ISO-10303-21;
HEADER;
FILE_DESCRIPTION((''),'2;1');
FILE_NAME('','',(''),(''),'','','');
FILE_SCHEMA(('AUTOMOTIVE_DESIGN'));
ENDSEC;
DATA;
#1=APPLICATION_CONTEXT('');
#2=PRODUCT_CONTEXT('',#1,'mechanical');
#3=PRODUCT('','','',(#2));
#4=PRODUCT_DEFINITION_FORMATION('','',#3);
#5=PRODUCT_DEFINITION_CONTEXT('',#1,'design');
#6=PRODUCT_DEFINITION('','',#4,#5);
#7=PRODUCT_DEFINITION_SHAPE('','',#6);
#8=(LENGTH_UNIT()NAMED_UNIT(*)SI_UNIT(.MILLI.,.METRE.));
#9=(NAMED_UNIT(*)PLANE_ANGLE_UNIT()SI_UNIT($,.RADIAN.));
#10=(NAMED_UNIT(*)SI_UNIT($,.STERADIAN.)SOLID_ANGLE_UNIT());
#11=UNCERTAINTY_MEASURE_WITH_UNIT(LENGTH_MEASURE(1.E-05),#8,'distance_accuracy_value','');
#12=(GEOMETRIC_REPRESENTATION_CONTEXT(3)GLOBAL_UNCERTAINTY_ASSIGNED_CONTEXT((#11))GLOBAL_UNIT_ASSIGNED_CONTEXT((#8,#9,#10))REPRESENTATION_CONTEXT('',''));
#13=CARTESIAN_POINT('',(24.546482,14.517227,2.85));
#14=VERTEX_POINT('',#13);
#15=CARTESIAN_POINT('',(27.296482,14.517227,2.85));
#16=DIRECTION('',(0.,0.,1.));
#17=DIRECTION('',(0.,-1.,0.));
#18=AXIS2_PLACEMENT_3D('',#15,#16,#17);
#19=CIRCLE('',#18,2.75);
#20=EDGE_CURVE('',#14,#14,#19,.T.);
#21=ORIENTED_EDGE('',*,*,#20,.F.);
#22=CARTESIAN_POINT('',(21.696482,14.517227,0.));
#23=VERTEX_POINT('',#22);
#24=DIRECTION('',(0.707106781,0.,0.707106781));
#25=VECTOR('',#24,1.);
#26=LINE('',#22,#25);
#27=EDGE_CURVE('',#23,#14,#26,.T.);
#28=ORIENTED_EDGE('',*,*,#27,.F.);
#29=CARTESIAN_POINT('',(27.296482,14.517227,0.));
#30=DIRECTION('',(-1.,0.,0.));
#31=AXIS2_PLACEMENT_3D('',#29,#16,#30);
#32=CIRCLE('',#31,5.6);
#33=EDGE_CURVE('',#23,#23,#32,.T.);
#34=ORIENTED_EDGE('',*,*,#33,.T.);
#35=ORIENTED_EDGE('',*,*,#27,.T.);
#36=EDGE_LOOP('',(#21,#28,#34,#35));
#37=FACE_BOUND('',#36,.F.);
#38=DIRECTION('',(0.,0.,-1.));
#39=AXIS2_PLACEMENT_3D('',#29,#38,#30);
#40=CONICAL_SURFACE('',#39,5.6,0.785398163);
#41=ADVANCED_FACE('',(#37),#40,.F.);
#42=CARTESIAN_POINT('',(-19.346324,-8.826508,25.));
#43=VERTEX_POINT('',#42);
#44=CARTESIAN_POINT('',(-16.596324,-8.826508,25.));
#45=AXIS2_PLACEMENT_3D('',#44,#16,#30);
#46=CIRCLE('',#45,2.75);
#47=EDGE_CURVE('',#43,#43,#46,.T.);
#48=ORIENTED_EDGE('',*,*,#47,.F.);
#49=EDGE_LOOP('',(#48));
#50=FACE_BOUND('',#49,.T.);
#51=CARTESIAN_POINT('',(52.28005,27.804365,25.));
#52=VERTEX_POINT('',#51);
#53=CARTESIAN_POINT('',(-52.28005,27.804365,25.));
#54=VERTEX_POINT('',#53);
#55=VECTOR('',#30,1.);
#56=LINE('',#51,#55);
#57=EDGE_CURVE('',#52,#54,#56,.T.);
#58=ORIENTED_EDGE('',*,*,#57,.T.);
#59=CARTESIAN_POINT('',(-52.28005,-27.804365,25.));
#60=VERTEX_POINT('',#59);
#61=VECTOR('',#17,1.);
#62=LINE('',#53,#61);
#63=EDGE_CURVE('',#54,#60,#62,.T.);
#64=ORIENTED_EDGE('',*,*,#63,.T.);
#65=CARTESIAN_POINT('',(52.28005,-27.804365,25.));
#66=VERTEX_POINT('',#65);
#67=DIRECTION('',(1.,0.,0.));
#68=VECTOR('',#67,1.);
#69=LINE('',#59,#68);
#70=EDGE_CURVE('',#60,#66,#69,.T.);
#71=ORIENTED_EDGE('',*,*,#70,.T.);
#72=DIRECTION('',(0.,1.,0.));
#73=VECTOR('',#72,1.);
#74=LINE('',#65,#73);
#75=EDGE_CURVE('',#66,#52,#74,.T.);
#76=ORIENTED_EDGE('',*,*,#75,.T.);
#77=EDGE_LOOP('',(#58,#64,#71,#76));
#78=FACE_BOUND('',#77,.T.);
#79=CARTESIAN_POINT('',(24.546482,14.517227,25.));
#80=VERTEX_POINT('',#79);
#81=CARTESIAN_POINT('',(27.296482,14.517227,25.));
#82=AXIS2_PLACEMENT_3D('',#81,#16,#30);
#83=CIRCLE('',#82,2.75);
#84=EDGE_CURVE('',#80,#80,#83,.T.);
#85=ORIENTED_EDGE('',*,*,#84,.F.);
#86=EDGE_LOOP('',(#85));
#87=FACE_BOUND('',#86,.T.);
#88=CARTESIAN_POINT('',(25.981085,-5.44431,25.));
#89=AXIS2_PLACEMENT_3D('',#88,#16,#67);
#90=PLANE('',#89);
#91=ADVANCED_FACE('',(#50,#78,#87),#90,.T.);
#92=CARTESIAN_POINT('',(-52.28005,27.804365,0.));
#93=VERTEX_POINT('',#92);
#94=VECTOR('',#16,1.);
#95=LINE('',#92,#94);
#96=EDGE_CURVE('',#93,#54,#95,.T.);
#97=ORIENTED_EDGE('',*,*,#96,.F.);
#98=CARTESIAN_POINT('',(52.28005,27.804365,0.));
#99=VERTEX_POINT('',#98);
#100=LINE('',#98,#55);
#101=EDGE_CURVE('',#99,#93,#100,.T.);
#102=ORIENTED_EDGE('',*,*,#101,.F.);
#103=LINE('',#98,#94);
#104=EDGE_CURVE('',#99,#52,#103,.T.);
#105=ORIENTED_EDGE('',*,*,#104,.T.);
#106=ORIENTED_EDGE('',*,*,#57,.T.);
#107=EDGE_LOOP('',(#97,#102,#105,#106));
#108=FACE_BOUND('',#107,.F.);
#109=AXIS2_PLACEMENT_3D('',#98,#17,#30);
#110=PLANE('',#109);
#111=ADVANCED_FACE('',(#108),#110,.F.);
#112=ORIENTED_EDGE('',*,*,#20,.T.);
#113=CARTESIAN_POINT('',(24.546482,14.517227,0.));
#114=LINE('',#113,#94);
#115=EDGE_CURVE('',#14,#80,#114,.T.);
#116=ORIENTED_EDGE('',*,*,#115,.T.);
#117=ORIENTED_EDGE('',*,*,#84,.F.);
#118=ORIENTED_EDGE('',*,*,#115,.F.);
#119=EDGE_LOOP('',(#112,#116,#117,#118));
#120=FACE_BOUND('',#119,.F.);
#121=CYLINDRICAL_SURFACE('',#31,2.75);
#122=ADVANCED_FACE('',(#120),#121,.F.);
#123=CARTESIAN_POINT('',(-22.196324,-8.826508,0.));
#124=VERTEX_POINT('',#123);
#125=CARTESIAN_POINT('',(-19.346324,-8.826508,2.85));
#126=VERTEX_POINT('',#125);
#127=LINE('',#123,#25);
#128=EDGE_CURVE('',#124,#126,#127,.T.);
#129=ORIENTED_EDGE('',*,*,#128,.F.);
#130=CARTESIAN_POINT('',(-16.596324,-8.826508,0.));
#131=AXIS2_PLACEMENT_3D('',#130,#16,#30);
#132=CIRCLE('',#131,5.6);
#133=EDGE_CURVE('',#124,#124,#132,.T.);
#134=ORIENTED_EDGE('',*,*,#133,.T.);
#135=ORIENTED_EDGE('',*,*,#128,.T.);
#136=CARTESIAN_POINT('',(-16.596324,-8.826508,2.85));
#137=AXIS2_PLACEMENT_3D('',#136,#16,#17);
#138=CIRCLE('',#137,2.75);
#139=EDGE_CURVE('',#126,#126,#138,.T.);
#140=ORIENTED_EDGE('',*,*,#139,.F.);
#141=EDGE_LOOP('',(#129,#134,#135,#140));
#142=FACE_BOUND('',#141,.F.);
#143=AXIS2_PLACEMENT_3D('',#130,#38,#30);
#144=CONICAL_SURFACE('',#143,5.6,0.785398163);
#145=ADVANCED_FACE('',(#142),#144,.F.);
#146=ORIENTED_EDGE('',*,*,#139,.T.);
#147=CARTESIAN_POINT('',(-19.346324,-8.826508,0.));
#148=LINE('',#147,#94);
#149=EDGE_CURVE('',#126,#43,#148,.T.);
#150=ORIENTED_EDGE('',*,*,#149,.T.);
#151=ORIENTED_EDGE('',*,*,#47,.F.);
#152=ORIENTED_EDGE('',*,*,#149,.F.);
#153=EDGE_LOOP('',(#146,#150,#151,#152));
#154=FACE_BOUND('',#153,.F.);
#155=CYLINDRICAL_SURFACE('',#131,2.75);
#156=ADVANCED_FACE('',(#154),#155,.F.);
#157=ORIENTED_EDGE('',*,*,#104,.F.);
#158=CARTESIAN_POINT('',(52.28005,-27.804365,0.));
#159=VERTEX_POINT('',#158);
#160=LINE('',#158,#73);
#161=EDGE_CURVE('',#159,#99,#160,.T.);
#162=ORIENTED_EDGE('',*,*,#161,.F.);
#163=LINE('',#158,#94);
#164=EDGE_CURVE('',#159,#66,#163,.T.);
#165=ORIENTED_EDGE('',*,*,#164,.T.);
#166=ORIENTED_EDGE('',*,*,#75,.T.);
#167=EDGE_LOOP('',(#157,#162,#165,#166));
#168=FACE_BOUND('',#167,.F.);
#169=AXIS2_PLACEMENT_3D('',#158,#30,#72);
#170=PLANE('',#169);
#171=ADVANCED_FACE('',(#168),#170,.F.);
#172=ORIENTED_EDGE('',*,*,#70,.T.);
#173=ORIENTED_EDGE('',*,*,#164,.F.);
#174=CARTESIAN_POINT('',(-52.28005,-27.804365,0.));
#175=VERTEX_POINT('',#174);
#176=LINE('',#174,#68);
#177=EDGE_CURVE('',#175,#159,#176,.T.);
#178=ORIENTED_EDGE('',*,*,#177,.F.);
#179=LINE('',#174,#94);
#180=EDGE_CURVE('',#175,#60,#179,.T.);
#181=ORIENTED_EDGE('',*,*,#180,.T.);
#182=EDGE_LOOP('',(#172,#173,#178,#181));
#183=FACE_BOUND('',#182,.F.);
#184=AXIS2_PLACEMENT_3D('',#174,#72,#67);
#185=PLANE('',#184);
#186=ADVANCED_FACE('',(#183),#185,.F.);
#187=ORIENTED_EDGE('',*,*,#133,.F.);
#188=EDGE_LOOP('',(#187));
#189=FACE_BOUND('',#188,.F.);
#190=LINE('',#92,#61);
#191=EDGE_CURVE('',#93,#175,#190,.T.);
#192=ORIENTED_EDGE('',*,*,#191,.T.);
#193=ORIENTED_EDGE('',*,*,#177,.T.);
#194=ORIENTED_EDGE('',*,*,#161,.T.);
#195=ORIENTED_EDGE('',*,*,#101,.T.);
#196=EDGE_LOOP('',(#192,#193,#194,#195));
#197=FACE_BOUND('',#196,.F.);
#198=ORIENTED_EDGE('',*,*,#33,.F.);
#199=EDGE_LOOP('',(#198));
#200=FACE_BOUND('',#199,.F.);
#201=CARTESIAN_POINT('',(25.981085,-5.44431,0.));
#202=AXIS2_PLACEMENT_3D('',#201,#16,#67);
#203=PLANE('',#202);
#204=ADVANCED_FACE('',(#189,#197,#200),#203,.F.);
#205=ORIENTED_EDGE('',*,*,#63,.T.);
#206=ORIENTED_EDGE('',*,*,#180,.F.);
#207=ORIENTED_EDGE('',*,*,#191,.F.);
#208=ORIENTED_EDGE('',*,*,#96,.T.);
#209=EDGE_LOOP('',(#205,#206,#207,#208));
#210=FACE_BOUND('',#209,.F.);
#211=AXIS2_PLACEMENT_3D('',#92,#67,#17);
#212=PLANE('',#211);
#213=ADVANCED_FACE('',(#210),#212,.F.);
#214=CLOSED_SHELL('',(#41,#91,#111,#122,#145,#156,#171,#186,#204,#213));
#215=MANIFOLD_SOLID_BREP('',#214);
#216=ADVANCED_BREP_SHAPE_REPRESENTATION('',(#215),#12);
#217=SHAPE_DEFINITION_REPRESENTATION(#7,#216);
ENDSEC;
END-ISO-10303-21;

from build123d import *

# Parameters (mm, degrees)
F1_DEPTH       = 25
F2_D           = 5.5
F2_CSINK_D     = 11.2
F2_CSINK_ANGLE = 90


with BuildPart() as f1:
    # F0 (on Top) → F1 (new body)
    with BuildSketch(Plane.XY):
        Polygon((1.8908311613, -27.8043653816), (52.2800497711, -27.8043653816), (52.2800497711, 27.8043653816), (-16.5963244791, -8.826507852), align=None)
        Polygon((-52.2800497711, -27.8043653816), (1.8908311613, -27.8043653816), (-16.5963244791, -8.826507852), align=None)
        Polygon((-52.2800497711, 27.8043653816), (-52.2800497711, -27.8043653816), (-16.5963244791, -8.826507852), align=None)
        Polygon((-16.5963244791, -8.826507852), (52.2800497711, 27.8043653816), (-52.2800497711, 27.8043653816), align=None)
    extrude(amount=F1_DEPTH)

    # F2 (through all)
    with Locations(Plane(origin=(0, 0, 0), x_dir=(1, 0, 0), z_dir=(0, 0, -1))):
        with Locations((27.2964816114, -14.5172269666), (-16.5963244791, 8.826507852)):
            CounterSinkHole(F2_D / 2, F2_CSINK_D / 2, counter_sink_angle=F2_CSINK_ANGLE)


solid = f1.part
